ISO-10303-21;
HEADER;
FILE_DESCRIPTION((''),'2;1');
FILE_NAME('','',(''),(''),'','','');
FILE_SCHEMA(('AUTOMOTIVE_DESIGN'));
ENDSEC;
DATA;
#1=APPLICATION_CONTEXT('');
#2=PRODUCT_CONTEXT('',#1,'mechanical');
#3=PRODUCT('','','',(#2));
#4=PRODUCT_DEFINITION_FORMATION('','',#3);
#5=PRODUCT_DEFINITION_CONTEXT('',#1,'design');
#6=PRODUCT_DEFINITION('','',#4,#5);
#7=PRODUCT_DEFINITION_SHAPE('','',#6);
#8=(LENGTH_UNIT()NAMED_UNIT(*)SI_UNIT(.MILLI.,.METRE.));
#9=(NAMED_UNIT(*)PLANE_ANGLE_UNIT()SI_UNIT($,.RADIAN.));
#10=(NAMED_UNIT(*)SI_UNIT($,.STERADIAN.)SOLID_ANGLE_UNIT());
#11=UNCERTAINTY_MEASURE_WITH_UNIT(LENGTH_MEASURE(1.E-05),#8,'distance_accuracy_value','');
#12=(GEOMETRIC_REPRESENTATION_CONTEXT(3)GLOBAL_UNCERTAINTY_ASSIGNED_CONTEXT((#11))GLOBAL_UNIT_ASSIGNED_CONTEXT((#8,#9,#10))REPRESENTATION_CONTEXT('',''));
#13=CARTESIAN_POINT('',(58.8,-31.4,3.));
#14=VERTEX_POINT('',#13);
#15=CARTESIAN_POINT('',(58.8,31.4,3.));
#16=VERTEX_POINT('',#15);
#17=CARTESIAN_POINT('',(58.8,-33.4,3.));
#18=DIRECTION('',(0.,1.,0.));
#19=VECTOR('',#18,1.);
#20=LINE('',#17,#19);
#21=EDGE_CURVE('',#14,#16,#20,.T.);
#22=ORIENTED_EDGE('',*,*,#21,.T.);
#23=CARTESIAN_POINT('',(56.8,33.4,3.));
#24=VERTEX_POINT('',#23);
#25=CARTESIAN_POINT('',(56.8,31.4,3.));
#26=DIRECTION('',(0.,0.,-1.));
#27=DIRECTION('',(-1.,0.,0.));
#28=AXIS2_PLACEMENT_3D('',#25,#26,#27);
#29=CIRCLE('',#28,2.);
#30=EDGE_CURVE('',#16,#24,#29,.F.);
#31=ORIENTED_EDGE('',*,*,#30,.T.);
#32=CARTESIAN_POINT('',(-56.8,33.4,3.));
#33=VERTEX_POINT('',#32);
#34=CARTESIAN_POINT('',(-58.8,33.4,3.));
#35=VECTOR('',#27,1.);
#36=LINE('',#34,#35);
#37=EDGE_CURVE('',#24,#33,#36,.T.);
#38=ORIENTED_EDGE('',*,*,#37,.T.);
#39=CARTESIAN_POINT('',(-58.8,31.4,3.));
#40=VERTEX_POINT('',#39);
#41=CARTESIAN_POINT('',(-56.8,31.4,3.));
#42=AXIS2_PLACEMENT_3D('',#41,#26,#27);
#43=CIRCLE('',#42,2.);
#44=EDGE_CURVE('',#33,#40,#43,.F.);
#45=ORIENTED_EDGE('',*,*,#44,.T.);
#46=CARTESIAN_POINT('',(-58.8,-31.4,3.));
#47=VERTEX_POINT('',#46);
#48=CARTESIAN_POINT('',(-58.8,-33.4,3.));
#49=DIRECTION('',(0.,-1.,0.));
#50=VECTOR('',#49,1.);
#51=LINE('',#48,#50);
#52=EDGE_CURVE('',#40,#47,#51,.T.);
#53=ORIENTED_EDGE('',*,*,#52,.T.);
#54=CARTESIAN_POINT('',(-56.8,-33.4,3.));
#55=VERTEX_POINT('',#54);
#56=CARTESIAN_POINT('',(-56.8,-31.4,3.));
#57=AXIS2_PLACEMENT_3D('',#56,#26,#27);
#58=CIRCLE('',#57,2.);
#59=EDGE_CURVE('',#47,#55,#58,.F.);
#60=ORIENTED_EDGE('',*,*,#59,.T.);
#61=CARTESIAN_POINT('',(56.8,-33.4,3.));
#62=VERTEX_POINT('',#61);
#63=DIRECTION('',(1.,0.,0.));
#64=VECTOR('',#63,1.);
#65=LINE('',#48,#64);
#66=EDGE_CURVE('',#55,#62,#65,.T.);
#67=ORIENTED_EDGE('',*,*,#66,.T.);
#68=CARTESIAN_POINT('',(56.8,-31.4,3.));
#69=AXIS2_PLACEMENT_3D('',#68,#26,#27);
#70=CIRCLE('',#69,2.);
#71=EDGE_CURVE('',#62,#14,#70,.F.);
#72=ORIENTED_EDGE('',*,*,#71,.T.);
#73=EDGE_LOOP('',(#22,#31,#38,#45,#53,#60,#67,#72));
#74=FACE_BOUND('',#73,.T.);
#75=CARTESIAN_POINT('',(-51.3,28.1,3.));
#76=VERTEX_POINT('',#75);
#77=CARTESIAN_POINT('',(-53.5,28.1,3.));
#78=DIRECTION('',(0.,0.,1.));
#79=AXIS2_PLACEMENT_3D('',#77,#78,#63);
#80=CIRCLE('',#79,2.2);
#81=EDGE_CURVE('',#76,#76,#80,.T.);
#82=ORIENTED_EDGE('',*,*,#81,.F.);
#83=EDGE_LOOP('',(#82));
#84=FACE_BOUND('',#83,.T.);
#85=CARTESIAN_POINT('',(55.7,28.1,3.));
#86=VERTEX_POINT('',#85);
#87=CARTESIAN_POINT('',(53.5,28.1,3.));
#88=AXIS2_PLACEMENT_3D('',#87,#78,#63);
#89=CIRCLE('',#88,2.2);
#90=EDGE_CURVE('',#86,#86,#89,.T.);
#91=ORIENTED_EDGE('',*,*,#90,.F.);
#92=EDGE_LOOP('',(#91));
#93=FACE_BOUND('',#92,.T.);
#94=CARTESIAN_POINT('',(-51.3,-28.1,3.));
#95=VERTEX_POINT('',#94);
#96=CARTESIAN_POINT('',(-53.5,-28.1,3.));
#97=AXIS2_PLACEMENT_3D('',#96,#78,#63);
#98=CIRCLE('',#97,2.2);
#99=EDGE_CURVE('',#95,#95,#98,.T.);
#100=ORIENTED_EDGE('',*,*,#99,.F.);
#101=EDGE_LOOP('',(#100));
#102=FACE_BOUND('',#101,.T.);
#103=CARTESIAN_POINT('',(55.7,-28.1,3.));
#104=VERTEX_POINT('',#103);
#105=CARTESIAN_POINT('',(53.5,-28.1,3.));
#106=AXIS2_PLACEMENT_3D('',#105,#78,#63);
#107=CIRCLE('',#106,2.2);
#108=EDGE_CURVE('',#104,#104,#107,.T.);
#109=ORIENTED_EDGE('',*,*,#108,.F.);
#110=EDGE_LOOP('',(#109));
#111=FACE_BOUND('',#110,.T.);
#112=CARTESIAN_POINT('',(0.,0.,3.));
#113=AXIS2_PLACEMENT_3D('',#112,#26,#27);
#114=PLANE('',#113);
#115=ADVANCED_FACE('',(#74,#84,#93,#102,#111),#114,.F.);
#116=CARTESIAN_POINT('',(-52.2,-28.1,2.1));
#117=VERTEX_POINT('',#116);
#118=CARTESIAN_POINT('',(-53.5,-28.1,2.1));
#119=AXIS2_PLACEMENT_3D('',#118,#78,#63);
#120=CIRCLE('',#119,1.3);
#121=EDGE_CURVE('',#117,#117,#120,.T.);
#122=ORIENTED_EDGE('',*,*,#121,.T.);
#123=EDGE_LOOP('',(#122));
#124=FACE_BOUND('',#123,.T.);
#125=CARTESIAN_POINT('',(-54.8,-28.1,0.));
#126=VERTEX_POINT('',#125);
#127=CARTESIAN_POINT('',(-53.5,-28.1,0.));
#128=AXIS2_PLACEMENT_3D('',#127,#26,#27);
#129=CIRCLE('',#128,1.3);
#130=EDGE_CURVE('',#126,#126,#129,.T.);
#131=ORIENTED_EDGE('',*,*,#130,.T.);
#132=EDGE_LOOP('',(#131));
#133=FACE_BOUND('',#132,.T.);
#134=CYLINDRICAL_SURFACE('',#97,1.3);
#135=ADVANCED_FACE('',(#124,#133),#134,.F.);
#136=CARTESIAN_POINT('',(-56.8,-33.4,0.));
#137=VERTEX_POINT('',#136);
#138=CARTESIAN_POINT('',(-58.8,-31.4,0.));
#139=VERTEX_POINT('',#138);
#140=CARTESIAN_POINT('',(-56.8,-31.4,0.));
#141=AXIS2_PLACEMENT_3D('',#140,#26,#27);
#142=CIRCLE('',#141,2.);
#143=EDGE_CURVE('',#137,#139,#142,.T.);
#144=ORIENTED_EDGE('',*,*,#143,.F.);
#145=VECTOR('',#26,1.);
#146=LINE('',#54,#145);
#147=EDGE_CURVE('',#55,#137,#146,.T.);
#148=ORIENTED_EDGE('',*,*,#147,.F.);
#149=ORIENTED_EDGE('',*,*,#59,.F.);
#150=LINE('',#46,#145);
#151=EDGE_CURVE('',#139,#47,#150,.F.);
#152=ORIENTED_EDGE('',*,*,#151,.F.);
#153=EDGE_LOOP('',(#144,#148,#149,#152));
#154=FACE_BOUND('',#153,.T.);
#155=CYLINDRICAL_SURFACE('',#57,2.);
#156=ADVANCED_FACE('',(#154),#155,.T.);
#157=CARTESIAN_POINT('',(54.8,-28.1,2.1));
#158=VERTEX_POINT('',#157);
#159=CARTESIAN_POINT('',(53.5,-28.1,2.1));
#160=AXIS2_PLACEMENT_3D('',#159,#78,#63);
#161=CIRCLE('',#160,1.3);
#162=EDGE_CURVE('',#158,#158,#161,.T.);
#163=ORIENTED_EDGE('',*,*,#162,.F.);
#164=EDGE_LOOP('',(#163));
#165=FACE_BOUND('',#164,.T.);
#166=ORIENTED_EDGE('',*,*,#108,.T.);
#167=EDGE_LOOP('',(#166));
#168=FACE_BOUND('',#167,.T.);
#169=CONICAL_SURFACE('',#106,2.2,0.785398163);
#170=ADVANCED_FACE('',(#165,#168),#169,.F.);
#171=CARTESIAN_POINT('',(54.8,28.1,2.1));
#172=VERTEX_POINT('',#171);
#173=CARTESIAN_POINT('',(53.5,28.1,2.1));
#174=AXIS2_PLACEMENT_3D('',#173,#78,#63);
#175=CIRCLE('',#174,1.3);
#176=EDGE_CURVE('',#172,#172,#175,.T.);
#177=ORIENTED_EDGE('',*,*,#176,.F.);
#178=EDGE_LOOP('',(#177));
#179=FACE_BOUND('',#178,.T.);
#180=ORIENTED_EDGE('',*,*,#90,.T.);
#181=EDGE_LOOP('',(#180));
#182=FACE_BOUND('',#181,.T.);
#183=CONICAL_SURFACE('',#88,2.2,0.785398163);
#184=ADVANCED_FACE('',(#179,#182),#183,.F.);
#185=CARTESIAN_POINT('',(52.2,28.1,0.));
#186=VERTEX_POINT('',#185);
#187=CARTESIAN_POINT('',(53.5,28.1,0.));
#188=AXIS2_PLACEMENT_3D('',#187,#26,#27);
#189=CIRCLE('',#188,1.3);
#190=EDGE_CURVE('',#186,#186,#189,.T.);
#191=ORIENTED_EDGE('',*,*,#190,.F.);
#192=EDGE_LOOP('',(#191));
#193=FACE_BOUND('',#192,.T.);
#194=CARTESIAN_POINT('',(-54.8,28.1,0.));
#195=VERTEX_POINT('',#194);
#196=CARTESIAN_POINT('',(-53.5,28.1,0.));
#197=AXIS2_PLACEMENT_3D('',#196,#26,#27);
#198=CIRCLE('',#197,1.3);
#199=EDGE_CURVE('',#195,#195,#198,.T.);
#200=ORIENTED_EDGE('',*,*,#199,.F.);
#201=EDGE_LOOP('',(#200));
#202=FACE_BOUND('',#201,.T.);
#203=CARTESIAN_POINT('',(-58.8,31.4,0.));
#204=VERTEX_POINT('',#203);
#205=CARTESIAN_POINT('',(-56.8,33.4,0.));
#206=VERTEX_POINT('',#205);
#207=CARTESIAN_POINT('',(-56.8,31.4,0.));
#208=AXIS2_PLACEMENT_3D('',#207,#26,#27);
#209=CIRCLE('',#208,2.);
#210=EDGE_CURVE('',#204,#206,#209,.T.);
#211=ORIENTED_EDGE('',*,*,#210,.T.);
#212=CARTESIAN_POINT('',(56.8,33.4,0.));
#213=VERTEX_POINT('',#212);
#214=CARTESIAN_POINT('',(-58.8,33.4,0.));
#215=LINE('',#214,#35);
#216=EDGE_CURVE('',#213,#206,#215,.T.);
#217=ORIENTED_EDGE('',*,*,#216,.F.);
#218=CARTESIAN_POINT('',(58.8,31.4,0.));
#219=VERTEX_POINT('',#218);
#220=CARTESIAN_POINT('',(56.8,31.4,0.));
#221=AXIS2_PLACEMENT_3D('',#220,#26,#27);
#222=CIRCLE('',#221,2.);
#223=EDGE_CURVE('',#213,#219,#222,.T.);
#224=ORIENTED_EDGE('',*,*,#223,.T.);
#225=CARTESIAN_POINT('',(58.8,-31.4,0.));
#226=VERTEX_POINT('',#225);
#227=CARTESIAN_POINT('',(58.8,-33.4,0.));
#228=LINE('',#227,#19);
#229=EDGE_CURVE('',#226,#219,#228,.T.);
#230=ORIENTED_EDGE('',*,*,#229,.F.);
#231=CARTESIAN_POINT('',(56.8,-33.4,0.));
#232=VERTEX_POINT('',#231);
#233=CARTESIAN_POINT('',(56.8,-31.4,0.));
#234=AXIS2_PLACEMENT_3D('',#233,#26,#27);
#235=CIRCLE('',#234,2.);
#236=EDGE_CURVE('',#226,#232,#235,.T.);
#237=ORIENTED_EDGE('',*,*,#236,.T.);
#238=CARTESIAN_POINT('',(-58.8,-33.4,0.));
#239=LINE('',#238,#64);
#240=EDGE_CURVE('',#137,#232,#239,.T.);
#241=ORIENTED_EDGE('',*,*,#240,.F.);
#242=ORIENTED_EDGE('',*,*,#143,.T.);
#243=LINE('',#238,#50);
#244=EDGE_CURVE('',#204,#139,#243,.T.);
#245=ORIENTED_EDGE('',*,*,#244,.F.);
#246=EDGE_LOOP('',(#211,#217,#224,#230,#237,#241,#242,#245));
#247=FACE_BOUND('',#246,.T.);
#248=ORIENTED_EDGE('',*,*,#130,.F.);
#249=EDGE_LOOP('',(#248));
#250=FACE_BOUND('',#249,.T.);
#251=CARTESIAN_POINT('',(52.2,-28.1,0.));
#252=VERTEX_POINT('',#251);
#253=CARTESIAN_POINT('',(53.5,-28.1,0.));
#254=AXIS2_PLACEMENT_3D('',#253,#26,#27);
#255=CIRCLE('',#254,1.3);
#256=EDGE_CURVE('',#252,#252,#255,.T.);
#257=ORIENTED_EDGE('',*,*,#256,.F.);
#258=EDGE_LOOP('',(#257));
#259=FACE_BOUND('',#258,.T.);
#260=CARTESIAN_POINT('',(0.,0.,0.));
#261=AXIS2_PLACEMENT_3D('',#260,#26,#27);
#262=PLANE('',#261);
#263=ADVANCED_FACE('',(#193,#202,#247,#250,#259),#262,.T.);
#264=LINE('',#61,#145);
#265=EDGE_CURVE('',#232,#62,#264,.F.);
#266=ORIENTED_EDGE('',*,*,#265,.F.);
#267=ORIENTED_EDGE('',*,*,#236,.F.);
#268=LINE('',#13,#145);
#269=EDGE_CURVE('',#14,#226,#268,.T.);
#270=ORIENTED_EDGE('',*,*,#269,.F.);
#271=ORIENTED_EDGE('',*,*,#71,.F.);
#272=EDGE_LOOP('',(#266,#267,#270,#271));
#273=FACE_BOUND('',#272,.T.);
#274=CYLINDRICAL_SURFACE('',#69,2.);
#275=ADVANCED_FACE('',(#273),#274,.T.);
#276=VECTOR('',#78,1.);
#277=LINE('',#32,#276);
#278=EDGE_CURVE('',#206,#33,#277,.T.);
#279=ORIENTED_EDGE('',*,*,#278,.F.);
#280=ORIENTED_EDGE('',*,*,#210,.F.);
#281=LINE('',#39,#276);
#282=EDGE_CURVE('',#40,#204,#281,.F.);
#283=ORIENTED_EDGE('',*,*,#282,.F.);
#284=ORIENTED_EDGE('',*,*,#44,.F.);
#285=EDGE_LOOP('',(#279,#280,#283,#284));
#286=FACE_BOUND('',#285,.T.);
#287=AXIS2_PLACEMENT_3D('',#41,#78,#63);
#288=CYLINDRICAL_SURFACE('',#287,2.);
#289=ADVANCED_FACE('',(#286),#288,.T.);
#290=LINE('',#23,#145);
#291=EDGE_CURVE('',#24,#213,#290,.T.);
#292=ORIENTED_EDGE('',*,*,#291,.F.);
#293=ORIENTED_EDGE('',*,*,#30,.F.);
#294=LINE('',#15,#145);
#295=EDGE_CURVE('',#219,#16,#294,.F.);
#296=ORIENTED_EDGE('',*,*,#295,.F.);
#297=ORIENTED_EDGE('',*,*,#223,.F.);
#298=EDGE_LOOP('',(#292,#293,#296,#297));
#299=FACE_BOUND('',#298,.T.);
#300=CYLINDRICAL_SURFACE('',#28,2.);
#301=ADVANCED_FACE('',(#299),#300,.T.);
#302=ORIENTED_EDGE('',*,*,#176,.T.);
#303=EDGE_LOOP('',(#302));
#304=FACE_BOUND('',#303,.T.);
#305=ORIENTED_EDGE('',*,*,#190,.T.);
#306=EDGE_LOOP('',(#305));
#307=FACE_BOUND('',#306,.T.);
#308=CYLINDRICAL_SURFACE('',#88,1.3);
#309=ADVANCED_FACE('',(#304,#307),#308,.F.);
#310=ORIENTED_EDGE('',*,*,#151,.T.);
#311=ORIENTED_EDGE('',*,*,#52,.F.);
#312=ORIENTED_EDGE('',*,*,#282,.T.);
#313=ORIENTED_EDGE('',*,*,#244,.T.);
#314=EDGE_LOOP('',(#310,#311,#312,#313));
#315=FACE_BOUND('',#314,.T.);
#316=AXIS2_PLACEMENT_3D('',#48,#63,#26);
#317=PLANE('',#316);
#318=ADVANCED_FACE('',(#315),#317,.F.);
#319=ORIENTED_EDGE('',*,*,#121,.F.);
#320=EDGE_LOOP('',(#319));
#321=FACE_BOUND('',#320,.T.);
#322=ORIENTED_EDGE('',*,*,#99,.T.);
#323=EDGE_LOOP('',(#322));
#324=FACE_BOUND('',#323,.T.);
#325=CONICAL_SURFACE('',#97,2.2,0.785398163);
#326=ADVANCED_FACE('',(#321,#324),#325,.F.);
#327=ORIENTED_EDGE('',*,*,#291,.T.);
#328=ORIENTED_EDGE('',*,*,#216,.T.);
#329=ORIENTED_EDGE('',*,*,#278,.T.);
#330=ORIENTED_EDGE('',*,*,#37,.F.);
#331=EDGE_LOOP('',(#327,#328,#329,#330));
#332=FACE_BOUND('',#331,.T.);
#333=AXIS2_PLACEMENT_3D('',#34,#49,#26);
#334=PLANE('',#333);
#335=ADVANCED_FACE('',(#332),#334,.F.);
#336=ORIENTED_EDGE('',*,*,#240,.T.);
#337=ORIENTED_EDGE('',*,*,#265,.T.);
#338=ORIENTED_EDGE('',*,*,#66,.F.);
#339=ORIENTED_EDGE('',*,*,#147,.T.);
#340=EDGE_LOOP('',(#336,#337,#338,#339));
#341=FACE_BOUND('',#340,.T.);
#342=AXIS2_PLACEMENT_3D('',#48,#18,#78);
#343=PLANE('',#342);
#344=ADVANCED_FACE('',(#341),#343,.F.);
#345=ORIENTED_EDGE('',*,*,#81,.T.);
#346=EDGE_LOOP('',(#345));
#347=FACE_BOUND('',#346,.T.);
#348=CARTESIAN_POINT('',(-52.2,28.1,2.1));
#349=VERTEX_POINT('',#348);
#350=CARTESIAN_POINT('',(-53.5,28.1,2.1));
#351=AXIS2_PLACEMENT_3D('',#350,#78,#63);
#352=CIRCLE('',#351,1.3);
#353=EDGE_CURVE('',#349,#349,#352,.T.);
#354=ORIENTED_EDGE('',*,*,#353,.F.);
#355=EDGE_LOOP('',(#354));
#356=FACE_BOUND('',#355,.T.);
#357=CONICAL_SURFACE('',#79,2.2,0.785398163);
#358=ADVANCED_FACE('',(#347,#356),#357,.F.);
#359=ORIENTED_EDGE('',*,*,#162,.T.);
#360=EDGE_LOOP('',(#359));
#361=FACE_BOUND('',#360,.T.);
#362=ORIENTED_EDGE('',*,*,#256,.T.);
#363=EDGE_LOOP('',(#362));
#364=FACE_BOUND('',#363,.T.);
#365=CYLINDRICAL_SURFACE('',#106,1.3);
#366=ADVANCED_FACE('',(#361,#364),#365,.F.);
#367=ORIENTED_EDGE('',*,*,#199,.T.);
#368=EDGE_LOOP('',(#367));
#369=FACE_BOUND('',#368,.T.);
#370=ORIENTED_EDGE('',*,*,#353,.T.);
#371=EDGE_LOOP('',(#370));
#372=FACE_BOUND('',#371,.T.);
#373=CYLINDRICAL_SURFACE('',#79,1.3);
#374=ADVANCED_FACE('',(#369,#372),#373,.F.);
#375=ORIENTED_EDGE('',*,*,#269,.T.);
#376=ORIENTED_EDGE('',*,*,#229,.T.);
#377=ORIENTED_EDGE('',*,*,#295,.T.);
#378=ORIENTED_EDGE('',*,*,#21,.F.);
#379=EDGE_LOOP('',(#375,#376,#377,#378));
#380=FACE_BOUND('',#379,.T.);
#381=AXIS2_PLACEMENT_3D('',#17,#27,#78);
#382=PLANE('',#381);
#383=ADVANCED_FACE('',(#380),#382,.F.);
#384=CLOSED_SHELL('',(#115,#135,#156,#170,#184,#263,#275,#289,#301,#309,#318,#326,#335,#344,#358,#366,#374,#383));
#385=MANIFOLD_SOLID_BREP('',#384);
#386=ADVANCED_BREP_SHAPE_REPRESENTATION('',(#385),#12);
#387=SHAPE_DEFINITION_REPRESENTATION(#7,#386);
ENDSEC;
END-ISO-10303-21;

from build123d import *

# Parameters (mm, degrees)
SCHIZZO1_W                             = 117.6
SCHIZZO1_H                             = 66.8
ESTRUSIONE_ESTRUSIONE1_DEPTH           = 3
RACCORDO1_R                            = 2
RACCORDO2_R                            = 2
RACCORDO3_R                            = 2
RACCORDO4_R                            = 2
FORO_SVASATO_PER_VITE_M2_1_D           = 2.6
FORO_SVASATO_PER_VITE_M2_1_CSINK_D     = 4.4
FORO_SVASATO_PER_VITE_M2_1_CSINK_ANGLE = 90


with BuildPart() as part:
    # Schizzo1 → Estrusione-Estrusione1 (new body)
    with BuildSketch(Plane.XY):
        Rectangle(SCHIZZO1_W, SCHIZZO1_H)
    extrude(amount=ESTRUSIONE_ESTRUSIONE1_DEPTH)

    # Raccordo1
    raccordo1_edges = [part.edges().sort_by_distance(p)[0] for p in [
        (-58.8, 33.4, 1.5),
    ]]
    fillet(raccordo1_edges, radius=RACCORDO1_R)

    # Raccordo2
    raccordo2_edges = [part.edges().sort_by_distance(p)[0] for p in [
        (58.8, 33.4, 1.5),
    ]]
    fillet(raccordo2_edges, radius=RACCORDO2_R)

    # Raccordo3
    raccordo3_edges = [part.edges().sort_by_distance(p)[0] for p in [
        (58.8, -33.4, 1.5),
    ]]
    fillet(raccordo3_edges, radius=RACCORDO3_R)

    # Raccordo4
    raccordo4_edges = [part.edges().sort_by_distance(p)[0] for p in [
        (-58.8, -33.4, 1.5),
    ]]
    fillet(raccordo4_edges, radius=RACCORDO4_R)

    # Foro svasato per Vite M2-1 (through all)
    with Locations(Plane.XY.offset(3)):
        with Locations((53.5, 28.1), (-53.5, 28.1), (-53.5, -28.1), (53.5, -28.1)):
            CounterSinkHole(FORO_SVASATO_PER_VITE_M2_1_D / 2, FORO_SVASATO_PER_VITE_M2_1_CSINK_D / 2, counter_sink_angle=FORO_SVASATO_PER_VITE_M2_1_CSINK_ANGLE)


solid = part.part
